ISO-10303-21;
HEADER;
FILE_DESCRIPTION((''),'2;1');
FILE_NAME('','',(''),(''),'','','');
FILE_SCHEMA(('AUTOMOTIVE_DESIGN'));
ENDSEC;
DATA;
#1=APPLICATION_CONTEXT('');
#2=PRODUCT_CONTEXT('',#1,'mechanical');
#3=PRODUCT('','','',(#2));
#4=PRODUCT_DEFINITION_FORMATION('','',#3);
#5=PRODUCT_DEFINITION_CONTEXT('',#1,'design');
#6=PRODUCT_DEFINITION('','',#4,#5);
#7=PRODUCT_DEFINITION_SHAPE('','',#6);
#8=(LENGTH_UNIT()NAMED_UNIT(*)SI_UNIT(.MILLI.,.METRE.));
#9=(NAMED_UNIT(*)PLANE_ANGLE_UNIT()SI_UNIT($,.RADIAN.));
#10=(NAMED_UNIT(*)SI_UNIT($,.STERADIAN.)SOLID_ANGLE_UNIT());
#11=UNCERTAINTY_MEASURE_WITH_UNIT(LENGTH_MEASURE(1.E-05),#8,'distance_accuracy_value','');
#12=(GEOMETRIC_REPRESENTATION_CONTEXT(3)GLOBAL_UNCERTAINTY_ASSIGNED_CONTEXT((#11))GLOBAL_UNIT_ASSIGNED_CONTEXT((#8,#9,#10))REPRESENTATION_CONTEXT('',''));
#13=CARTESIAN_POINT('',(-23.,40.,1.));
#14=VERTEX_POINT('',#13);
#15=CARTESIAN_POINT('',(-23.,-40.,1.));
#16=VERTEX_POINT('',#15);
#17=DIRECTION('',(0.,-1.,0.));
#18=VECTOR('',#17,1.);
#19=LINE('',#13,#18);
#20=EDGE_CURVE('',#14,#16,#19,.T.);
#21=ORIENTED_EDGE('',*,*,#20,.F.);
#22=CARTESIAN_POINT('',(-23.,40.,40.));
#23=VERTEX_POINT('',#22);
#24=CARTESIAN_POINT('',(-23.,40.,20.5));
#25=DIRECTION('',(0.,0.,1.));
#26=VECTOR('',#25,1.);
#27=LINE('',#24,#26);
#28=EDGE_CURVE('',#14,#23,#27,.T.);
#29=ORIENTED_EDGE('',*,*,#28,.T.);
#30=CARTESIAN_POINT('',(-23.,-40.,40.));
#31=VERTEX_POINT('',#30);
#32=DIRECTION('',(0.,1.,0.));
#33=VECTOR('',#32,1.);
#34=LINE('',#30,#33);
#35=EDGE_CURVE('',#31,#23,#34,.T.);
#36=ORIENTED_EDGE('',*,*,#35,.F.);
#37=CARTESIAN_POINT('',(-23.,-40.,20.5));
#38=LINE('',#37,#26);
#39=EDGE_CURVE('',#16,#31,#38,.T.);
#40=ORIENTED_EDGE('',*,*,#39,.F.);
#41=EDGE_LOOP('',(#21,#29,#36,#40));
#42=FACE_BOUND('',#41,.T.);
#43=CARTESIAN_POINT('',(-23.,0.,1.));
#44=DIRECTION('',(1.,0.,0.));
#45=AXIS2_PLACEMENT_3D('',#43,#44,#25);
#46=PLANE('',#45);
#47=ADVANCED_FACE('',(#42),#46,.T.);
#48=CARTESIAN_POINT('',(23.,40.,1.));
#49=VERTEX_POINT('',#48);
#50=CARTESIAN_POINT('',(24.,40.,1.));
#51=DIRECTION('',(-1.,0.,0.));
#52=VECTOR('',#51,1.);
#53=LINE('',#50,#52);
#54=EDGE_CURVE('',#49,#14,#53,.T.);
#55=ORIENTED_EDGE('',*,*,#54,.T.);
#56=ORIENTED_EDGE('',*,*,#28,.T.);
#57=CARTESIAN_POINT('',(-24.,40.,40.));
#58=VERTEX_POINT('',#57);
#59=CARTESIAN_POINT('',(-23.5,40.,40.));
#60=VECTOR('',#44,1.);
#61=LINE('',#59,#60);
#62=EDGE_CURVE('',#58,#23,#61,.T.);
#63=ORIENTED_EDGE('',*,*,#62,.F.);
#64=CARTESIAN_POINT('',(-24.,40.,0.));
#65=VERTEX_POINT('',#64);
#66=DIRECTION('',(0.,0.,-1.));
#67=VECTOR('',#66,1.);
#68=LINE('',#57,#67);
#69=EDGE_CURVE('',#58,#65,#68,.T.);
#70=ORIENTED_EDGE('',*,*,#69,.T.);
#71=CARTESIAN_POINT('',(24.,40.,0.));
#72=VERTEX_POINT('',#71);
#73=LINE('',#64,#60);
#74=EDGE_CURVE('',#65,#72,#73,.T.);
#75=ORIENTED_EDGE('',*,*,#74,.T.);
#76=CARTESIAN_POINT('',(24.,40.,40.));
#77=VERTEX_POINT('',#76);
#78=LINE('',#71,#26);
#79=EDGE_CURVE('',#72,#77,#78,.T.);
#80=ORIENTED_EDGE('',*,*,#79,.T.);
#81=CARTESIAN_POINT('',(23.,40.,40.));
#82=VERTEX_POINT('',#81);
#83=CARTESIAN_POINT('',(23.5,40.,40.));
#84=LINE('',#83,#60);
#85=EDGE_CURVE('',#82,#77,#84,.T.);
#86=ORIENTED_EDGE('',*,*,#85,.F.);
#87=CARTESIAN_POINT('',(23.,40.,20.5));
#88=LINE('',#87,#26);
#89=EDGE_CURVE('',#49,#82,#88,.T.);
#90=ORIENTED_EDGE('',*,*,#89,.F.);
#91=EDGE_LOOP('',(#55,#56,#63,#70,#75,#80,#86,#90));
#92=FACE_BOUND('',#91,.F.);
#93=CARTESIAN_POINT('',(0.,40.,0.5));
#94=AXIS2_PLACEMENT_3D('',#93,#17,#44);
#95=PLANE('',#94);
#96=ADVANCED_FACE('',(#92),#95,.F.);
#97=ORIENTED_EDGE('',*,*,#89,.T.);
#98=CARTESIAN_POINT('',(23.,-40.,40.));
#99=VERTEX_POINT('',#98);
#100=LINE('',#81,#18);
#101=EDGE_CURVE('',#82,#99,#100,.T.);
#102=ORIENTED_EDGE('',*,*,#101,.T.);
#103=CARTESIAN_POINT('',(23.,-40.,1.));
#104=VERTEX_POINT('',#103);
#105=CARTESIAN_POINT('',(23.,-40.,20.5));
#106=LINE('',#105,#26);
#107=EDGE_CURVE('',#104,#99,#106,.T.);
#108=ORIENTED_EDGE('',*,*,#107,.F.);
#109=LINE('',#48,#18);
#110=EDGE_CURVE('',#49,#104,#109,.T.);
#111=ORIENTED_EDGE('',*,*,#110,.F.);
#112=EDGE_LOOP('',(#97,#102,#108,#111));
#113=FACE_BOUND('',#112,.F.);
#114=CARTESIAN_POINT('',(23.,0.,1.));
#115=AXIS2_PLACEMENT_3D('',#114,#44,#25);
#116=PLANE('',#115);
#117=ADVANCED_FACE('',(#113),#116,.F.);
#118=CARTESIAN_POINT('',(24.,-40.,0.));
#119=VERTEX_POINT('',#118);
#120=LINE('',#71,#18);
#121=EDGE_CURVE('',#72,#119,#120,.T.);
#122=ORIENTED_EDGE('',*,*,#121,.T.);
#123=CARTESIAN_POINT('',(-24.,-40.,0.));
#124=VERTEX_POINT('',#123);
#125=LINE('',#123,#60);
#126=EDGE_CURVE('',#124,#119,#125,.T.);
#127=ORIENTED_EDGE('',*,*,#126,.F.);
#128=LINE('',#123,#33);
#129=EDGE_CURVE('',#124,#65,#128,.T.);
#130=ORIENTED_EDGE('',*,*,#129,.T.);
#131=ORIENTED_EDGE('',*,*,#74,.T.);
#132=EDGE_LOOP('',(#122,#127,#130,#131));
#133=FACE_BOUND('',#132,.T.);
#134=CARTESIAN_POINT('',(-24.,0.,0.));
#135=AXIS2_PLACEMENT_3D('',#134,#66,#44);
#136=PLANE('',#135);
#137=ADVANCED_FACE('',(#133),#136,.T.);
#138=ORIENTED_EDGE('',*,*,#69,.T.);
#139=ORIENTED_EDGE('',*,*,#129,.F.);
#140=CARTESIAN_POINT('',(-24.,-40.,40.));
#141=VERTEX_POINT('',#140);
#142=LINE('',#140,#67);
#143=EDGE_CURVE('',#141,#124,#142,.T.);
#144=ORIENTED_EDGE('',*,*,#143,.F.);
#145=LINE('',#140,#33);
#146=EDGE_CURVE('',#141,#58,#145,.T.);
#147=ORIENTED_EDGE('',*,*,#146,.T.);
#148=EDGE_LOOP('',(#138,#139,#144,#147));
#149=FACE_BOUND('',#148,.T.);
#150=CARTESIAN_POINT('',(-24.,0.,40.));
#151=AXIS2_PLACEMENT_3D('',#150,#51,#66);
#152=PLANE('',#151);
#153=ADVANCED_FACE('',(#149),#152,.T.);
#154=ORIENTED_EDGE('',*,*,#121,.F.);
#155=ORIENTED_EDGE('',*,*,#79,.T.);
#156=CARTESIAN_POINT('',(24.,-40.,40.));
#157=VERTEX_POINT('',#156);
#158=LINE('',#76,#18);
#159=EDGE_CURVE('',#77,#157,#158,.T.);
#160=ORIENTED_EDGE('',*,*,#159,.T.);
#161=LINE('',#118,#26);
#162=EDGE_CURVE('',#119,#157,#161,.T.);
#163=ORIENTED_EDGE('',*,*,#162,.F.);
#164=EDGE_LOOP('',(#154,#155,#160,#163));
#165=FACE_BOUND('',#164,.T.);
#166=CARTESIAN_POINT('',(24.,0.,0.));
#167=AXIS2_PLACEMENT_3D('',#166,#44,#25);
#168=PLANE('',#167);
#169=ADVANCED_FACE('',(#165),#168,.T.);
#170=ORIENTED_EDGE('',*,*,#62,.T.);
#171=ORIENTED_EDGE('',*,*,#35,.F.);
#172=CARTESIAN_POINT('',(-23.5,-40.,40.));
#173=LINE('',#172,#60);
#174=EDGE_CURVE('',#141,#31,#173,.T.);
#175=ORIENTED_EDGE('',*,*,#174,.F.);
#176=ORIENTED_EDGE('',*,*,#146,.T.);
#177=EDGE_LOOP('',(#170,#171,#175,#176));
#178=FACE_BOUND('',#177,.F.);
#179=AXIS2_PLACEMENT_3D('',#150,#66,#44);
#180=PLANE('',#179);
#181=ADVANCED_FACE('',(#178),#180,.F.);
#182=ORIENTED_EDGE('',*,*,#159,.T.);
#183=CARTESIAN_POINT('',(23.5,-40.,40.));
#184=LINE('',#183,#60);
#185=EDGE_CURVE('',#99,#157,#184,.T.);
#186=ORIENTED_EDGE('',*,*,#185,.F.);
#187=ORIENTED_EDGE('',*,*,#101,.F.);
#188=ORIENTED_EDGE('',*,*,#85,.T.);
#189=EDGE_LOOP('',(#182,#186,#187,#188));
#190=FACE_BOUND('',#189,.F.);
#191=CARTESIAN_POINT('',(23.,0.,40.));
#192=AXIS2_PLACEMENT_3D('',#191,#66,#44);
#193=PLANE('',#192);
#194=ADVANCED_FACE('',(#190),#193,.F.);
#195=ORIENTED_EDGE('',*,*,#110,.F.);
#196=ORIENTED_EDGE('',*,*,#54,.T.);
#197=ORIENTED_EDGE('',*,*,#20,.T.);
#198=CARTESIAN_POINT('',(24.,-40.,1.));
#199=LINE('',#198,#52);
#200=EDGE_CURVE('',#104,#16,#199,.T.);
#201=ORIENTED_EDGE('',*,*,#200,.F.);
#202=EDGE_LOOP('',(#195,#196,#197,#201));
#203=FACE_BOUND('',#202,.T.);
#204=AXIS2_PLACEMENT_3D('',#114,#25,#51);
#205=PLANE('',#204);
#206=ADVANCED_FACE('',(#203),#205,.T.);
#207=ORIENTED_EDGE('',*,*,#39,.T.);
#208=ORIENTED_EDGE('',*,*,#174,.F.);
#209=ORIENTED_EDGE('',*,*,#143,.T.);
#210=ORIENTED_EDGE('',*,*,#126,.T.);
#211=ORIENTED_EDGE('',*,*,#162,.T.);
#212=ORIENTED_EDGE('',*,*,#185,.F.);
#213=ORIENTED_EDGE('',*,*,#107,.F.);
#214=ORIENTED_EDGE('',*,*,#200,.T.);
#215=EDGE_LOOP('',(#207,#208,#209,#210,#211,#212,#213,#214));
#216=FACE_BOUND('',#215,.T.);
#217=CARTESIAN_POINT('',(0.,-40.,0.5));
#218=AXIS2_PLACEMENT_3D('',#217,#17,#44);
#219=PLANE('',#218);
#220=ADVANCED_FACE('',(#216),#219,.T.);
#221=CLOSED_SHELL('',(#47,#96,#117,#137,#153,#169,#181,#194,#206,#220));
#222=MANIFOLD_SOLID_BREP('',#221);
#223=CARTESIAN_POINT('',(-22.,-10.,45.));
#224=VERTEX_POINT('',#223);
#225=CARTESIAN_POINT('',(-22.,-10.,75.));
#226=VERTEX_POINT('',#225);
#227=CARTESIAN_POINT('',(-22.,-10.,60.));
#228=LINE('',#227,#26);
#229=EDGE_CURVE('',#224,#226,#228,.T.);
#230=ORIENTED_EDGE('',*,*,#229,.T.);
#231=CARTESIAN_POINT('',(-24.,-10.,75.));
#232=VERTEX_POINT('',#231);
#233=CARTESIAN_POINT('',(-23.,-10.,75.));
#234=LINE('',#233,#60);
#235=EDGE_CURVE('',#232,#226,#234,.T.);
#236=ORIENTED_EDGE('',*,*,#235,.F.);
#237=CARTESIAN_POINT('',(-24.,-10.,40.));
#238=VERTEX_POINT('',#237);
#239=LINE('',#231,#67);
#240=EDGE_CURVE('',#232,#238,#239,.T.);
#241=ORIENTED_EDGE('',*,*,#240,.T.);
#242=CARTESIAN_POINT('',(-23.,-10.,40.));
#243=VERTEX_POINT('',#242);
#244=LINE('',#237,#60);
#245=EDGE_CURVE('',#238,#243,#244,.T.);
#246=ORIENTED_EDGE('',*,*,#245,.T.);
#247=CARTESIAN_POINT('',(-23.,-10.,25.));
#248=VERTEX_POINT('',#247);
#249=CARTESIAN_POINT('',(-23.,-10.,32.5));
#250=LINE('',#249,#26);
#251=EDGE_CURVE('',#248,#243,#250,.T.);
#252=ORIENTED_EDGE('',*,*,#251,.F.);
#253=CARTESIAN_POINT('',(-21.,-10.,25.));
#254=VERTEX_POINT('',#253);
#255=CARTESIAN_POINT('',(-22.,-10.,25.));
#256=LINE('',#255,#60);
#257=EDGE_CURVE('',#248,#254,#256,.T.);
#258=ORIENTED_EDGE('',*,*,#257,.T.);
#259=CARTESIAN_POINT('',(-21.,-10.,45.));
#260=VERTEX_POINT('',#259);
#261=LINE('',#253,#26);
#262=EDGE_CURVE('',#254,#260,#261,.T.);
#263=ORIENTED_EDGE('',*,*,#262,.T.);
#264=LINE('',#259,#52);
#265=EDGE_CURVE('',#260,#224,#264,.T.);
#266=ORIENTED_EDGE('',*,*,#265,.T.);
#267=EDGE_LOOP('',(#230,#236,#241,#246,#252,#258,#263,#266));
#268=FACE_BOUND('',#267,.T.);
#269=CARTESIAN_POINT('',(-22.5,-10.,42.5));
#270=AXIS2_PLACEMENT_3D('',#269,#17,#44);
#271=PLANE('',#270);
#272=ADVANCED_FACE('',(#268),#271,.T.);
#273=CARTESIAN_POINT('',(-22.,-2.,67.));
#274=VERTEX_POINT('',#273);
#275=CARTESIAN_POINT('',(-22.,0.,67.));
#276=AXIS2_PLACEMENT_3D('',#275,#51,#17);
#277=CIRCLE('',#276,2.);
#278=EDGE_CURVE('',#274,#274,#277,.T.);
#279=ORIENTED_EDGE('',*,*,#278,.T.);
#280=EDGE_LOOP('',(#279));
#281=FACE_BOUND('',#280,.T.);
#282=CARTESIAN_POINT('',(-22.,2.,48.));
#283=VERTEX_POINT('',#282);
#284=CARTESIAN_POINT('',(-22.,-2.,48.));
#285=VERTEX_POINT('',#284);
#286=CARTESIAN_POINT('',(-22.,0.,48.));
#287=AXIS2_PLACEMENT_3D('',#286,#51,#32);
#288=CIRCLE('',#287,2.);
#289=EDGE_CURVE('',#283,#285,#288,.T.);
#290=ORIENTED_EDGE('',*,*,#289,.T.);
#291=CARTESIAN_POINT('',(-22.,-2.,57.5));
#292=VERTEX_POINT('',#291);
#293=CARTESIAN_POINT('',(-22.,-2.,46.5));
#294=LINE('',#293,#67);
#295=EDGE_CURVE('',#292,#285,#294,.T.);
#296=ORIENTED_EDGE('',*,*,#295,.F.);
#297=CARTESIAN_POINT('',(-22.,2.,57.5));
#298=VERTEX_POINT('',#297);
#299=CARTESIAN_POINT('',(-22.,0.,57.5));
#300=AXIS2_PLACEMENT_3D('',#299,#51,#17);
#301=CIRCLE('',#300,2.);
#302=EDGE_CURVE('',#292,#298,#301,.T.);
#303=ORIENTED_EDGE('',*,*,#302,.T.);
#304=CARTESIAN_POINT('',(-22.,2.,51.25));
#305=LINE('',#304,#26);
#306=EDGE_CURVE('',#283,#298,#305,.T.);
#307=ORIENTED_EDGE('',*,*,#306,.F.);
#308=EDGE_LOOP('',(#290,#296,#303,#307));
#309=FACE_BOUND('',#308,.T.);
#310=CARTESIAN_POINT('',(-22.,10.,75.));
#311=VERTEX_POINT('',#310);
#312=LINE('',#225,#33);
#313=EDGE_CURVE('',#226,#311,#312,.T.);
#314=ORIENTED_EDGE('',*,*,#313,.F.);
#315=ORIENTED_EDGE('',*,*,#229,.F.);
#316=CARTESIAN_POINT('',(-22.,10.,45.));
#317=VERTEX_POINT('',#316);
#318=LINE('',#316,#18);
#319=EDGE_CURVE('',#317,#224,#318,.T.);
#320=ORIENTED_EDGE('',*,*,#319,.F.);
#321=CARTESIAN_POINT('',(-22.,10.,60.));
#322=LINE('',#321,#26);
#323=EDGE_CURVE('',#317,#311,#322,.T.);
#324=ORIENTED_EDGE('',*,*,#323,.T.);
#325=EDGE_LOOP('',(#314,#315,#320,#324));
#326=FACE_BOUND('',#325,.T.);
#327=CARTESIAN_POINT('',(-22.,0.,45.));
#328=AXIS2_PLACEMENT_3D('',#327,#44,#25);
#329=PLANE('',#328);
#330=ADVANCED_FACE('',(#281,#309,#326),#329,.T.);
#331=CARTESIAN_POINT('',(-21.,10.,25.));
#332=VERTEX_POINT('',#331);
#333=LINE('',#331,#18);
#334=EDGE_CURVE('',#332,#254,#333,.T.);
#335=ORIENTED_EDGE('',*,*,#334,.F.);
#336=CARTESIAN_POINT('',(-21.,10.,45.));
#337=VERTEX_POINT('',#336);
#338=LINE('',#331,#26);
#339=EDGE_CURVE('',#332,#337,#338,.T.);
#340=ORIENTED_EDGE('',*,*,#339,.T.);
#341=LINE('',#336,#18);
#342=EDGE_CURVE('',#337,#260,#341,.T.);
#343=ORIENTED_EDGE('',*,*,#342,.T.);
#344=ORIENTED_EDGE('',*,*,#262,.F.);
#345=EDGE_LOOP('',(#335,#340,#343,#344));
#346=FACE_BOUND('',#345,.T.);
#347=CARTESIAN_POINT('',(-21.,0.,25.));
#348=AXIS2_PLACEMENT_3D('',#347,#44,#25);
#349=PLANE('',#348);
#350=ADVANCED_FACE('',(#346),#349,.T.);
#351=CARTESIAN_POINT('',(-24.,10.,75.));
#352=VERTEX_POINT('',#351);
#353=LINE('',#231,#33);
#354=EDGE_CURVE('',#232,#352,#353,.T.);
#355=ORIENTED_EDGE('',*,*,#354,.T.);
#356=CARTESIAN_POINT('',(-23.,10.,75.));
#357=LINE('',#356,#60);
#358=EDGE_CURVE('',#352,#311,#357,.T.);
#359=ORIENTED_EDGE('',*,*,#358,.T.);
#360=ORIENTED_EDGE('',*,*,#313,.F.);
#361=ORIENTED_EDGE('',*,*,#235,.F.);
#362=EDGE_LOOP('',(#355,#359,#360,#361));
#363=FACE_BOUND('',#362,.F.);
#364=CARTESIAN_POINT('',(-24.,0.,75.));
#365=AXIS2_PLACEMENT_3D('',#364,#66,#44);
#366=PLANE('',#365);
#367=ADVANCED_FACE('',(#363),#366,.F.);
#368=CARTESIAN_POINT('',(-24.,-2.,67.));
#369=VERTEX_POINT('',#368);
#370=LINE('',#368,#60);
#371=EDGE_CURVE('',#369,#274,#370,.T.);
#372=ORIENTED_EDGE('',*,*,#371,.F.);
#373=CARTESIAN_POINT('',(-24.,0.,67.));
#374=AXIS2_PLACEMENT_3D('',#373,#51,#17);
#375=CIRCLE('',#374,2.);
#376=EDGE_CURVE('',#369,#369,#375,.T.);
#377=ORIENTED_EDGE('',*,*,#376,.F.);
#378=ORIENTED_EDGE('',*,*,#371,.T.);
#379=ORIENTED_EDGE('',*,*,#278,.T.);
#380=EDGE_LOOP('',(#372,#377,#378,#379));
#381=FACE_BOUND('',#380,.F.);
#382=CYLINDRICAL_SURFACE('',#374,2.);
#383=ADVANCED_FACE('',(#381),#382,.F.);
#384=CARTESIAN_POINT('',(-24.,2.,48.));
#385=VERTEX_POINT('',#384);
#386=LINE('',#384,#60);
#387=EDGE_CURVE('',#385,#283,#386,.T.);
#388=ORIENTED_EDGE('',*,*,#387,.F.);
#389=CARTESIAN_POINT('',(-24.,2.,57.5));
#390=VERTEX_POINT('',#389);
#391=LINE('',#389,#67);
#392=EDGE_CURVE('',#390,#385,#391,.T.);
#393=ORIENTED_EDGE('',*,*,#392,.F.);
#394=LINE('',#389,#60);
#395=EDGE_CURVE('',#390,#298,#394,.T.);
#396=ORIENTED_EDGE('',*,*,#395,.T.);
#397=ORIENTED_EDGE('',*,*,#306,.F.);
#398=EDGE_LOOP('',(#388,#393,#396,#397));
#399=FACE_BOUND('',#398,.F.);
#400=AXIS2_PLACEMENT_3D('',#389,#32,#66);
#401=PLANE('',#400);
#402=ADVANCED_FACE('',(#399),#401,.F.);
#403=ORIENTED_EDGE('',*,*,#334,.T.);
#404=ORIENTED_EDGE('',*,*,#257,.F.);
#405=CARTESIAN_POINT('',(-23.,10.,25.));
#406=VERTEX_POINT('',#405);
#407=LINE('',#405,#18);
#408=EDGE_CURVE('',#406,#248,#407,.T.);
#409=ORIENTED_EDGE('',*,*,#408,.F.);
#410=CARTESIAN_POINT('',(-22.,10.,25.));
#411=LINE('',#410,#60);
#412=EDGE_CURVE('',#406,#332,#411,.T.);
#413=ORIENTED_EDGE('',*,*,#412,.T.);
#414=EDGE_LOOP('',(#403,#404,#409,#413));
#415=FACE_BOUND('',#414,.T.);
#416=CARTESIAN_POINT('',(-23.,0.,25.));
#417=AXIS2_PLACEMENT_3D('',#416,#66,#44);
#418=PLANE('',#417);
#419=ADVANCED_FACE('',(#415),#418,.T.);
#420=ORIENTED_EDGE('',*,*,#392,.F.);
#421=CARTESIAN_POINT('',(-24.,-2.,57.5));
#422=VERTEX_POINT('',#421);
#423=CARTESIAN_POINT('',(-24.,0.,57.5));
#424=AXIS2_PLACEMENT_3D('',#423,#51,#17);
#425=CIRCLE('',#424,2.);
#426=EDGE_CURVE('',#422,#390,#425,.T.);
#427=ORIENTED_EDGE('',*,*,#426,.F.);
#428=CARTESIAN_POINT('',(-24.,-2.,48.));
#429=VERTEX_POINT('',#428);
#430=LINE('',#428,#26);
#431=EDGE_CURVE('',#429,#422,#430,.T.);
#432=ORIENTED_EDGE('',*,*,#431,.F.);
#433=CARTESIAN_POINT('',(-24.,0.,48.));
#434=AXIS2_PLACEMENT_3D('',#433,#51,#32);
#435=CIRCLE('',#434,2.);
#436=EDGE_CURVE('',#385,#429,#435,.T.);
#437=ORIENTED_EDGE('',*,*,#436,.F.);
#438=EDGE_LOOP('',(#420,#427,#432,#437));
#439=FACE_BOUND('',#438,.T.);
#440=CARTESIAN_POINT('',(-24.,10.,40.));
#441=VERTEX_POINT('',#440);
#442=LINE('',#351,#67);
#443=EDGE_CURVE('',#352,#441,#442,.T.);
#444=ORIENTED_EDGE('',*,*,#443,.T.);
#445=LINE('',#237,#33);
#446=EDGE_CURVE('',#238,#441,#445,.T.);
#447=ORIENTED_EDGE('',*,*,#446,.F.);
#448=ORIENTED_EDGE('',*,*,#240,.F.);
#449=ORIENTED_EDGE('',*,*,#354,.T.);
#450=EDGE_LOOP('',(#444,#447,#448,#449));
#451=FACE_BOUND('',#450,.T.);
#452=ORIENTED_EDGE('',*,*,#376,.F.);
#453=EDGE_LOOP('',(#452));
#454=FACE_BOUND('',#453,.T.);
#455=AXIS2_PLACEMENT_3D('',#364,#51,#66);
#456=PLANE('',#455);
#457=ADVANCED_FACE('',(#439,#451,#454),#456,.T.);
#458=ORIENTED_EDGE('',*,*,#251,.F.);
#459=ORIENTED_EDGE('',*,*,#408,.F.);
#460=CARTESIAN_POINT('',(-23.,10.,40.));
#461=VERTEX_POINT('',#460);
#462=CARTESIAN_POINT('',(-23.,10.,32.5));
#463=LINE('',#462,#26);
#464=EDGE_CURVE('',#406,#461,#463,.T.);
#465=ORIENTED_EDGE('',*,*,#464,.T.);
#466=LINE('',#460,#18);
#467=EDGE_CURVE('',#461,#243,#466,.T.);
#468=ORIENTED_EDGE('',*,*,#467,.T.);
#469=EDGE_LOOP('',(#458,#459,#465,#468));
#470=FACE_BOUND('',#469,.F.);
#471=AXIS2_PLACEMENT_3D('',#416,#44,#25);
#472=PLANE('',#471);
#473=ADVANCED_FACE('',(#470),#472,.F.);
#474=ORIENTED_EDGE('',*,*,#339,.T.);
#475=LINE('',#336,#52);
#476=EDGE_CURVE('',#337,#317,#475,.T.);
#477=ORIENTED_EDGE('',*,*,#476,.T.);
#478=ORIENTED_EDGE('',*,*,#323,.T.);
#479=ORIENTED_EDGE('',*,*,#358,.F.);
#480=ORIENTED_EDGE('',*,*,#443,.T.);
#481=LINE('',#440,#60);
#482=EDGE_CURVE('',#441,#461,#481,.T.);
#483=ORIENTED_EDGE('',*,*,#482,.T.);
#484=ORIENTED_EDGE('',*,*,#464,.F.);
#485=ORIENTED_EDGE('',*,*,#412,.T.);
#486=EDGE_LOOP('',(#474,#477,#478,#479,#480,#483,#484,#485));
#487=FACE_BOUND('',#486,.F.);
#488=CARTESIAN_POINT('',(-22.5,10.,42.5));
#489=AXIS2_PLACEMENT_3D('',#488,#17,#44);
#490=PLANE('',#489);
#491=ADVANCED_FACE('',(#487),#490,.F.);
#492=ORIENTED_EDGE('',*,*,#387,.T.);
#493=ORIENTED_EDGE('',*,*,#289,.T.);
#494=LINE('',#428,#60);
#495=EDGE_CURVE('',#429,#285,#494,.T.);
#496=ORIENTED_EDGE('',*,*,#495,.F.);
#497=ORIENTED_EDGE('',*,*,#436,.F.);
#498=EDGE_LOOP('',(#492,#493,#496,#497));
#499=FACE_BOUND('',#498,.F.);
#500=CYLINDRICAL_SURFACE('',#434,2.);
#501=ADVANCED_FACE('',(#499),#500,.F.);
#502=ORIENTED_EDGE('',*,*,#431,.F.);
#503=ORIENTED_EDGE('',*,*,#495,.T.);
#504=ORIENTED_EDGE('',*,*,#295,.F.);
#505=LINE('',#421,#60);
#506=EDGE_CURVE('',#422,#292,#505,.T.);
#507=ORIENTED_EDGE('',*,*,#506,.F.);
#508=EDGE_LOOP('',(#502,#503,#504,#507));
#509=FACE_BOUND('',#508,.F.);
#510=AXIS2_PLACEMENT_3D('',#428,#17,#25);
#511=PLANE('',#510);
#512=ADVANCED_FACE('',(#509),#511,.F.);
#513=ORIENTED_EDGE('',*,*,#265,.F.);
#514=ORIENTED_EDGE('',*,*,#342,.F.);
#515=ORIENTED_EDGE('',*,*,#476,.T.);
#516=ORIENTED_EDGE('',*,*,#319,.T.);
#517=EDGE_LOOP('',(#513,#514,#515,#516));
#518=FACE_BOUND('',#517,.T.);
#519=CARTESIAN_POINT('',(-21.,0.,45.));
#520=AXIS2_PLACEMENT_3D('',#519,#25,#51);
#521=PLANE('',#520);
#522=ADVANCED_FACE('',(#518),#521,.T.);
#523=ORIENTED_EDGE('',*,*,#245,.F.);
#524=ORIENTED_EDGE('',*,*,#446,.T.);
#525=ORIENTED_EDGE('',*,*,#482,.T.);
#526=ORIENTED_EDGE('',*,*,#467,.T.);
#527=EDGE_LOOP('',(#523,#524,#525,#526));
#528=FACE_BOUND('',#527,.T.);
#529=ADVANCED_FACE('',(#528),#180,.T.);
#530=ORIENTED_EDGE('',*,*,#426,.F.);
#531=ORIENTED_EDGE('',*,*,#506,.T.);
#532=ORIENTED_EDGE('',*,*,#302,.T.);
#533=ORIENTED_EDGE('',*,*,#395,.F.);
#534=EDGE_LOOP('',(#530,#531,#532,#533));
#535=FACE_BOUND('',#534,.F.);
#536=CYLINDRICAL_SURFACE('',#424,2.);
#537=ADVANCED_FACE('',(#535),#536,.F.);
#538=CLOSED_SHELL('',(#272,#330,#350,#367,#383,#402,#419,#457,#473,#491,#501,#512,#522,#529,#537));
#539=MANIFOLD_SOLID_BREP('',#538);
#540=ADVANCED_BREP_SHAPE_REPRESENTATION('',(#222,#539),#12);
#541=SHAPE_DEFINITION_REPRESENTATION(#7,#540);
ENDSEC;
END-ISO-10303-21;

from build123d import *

# Parameters (mm, degrees)
F0_W          = 1
F0_H          = 1
F0_H_2        = 39
F1_DEPTH      = 40
F1_DEPTH_BACK = 40
F2_W          = 2
F2_H          = 15
F2_H_2        = 30
F3_DEPTH      = 10
F3_DEPTH_BACK = 10
F4_R          = 2
F5_DEPTH      = 10


with BuildPart() as f1:
    # F0 (on Front) → F1 (new body, two sides)
    with BuildSketch(Plane.XZ) as f1_sk:
        Polygon((-23, 0), (0, 0), (23, 0), (23, 1), (-23, 1), align=None)
        with Locations((-23.5, 0.5)):
            Rectangle(F0_W, F0_H)
        with Locations((23.5, 0.5)):
            Rectangle(F0_W, F0_H)
        with Locations((-23.5, 20.5)):
            Rectangle(F0_W, F0_H_2)
        with Locations((23.5, 20.5)):
            Rectangle(F0_W, F0_H_2)
    extrude(amount=F1_DEPTH)
    extrude(f1_sk.sketch, amount=-F1_DEPTH_BACK)


with BuildPart() as f3:
    # F2 (on Front) → F3 (new body, two sides)
    with BuildSketch(Plane.XZ) as f3_sk:
        Polygon((-24, 40), (-23, 40), (-21, 40), (-21, 45), (-22, 45), (-24, 45), align=None)
        with Locations((-22, 32.5)):
            Rectangle(F2_W, F2_H)
        with Locations((-23, 60)):
            Rectangle(F2_W, F2_H_2)
    extrude(amount=F3_DEPTH)
    extrude(f3_sk.sketch, amount=-F3_DEPTH_BACK)

    # F4 (on face) → F5 (cut)
    with BuildSketch(Plane(origin=(-24, 0, 0), x_dir=(0, -1, 0), z_dir=(-1, 0, 0))):
        with Locations((0, 67)):
            Circle(F4_R)
        with BuildLine():
            Line((2, 48), (2, 57.5))
            ThreePointArc((2, 57.5), (0, 59.5), (-2, 57.5))
            Line((-2, 57.5), (-2, 48))
            ThreePointArc((-2, 48), (0, 46), (2, 48))
        make_face()
    extrude(amount=-F5_DEPTH, mode=Mode.SUBTRACT)


solid = Compound([f1.part, f3.part])
